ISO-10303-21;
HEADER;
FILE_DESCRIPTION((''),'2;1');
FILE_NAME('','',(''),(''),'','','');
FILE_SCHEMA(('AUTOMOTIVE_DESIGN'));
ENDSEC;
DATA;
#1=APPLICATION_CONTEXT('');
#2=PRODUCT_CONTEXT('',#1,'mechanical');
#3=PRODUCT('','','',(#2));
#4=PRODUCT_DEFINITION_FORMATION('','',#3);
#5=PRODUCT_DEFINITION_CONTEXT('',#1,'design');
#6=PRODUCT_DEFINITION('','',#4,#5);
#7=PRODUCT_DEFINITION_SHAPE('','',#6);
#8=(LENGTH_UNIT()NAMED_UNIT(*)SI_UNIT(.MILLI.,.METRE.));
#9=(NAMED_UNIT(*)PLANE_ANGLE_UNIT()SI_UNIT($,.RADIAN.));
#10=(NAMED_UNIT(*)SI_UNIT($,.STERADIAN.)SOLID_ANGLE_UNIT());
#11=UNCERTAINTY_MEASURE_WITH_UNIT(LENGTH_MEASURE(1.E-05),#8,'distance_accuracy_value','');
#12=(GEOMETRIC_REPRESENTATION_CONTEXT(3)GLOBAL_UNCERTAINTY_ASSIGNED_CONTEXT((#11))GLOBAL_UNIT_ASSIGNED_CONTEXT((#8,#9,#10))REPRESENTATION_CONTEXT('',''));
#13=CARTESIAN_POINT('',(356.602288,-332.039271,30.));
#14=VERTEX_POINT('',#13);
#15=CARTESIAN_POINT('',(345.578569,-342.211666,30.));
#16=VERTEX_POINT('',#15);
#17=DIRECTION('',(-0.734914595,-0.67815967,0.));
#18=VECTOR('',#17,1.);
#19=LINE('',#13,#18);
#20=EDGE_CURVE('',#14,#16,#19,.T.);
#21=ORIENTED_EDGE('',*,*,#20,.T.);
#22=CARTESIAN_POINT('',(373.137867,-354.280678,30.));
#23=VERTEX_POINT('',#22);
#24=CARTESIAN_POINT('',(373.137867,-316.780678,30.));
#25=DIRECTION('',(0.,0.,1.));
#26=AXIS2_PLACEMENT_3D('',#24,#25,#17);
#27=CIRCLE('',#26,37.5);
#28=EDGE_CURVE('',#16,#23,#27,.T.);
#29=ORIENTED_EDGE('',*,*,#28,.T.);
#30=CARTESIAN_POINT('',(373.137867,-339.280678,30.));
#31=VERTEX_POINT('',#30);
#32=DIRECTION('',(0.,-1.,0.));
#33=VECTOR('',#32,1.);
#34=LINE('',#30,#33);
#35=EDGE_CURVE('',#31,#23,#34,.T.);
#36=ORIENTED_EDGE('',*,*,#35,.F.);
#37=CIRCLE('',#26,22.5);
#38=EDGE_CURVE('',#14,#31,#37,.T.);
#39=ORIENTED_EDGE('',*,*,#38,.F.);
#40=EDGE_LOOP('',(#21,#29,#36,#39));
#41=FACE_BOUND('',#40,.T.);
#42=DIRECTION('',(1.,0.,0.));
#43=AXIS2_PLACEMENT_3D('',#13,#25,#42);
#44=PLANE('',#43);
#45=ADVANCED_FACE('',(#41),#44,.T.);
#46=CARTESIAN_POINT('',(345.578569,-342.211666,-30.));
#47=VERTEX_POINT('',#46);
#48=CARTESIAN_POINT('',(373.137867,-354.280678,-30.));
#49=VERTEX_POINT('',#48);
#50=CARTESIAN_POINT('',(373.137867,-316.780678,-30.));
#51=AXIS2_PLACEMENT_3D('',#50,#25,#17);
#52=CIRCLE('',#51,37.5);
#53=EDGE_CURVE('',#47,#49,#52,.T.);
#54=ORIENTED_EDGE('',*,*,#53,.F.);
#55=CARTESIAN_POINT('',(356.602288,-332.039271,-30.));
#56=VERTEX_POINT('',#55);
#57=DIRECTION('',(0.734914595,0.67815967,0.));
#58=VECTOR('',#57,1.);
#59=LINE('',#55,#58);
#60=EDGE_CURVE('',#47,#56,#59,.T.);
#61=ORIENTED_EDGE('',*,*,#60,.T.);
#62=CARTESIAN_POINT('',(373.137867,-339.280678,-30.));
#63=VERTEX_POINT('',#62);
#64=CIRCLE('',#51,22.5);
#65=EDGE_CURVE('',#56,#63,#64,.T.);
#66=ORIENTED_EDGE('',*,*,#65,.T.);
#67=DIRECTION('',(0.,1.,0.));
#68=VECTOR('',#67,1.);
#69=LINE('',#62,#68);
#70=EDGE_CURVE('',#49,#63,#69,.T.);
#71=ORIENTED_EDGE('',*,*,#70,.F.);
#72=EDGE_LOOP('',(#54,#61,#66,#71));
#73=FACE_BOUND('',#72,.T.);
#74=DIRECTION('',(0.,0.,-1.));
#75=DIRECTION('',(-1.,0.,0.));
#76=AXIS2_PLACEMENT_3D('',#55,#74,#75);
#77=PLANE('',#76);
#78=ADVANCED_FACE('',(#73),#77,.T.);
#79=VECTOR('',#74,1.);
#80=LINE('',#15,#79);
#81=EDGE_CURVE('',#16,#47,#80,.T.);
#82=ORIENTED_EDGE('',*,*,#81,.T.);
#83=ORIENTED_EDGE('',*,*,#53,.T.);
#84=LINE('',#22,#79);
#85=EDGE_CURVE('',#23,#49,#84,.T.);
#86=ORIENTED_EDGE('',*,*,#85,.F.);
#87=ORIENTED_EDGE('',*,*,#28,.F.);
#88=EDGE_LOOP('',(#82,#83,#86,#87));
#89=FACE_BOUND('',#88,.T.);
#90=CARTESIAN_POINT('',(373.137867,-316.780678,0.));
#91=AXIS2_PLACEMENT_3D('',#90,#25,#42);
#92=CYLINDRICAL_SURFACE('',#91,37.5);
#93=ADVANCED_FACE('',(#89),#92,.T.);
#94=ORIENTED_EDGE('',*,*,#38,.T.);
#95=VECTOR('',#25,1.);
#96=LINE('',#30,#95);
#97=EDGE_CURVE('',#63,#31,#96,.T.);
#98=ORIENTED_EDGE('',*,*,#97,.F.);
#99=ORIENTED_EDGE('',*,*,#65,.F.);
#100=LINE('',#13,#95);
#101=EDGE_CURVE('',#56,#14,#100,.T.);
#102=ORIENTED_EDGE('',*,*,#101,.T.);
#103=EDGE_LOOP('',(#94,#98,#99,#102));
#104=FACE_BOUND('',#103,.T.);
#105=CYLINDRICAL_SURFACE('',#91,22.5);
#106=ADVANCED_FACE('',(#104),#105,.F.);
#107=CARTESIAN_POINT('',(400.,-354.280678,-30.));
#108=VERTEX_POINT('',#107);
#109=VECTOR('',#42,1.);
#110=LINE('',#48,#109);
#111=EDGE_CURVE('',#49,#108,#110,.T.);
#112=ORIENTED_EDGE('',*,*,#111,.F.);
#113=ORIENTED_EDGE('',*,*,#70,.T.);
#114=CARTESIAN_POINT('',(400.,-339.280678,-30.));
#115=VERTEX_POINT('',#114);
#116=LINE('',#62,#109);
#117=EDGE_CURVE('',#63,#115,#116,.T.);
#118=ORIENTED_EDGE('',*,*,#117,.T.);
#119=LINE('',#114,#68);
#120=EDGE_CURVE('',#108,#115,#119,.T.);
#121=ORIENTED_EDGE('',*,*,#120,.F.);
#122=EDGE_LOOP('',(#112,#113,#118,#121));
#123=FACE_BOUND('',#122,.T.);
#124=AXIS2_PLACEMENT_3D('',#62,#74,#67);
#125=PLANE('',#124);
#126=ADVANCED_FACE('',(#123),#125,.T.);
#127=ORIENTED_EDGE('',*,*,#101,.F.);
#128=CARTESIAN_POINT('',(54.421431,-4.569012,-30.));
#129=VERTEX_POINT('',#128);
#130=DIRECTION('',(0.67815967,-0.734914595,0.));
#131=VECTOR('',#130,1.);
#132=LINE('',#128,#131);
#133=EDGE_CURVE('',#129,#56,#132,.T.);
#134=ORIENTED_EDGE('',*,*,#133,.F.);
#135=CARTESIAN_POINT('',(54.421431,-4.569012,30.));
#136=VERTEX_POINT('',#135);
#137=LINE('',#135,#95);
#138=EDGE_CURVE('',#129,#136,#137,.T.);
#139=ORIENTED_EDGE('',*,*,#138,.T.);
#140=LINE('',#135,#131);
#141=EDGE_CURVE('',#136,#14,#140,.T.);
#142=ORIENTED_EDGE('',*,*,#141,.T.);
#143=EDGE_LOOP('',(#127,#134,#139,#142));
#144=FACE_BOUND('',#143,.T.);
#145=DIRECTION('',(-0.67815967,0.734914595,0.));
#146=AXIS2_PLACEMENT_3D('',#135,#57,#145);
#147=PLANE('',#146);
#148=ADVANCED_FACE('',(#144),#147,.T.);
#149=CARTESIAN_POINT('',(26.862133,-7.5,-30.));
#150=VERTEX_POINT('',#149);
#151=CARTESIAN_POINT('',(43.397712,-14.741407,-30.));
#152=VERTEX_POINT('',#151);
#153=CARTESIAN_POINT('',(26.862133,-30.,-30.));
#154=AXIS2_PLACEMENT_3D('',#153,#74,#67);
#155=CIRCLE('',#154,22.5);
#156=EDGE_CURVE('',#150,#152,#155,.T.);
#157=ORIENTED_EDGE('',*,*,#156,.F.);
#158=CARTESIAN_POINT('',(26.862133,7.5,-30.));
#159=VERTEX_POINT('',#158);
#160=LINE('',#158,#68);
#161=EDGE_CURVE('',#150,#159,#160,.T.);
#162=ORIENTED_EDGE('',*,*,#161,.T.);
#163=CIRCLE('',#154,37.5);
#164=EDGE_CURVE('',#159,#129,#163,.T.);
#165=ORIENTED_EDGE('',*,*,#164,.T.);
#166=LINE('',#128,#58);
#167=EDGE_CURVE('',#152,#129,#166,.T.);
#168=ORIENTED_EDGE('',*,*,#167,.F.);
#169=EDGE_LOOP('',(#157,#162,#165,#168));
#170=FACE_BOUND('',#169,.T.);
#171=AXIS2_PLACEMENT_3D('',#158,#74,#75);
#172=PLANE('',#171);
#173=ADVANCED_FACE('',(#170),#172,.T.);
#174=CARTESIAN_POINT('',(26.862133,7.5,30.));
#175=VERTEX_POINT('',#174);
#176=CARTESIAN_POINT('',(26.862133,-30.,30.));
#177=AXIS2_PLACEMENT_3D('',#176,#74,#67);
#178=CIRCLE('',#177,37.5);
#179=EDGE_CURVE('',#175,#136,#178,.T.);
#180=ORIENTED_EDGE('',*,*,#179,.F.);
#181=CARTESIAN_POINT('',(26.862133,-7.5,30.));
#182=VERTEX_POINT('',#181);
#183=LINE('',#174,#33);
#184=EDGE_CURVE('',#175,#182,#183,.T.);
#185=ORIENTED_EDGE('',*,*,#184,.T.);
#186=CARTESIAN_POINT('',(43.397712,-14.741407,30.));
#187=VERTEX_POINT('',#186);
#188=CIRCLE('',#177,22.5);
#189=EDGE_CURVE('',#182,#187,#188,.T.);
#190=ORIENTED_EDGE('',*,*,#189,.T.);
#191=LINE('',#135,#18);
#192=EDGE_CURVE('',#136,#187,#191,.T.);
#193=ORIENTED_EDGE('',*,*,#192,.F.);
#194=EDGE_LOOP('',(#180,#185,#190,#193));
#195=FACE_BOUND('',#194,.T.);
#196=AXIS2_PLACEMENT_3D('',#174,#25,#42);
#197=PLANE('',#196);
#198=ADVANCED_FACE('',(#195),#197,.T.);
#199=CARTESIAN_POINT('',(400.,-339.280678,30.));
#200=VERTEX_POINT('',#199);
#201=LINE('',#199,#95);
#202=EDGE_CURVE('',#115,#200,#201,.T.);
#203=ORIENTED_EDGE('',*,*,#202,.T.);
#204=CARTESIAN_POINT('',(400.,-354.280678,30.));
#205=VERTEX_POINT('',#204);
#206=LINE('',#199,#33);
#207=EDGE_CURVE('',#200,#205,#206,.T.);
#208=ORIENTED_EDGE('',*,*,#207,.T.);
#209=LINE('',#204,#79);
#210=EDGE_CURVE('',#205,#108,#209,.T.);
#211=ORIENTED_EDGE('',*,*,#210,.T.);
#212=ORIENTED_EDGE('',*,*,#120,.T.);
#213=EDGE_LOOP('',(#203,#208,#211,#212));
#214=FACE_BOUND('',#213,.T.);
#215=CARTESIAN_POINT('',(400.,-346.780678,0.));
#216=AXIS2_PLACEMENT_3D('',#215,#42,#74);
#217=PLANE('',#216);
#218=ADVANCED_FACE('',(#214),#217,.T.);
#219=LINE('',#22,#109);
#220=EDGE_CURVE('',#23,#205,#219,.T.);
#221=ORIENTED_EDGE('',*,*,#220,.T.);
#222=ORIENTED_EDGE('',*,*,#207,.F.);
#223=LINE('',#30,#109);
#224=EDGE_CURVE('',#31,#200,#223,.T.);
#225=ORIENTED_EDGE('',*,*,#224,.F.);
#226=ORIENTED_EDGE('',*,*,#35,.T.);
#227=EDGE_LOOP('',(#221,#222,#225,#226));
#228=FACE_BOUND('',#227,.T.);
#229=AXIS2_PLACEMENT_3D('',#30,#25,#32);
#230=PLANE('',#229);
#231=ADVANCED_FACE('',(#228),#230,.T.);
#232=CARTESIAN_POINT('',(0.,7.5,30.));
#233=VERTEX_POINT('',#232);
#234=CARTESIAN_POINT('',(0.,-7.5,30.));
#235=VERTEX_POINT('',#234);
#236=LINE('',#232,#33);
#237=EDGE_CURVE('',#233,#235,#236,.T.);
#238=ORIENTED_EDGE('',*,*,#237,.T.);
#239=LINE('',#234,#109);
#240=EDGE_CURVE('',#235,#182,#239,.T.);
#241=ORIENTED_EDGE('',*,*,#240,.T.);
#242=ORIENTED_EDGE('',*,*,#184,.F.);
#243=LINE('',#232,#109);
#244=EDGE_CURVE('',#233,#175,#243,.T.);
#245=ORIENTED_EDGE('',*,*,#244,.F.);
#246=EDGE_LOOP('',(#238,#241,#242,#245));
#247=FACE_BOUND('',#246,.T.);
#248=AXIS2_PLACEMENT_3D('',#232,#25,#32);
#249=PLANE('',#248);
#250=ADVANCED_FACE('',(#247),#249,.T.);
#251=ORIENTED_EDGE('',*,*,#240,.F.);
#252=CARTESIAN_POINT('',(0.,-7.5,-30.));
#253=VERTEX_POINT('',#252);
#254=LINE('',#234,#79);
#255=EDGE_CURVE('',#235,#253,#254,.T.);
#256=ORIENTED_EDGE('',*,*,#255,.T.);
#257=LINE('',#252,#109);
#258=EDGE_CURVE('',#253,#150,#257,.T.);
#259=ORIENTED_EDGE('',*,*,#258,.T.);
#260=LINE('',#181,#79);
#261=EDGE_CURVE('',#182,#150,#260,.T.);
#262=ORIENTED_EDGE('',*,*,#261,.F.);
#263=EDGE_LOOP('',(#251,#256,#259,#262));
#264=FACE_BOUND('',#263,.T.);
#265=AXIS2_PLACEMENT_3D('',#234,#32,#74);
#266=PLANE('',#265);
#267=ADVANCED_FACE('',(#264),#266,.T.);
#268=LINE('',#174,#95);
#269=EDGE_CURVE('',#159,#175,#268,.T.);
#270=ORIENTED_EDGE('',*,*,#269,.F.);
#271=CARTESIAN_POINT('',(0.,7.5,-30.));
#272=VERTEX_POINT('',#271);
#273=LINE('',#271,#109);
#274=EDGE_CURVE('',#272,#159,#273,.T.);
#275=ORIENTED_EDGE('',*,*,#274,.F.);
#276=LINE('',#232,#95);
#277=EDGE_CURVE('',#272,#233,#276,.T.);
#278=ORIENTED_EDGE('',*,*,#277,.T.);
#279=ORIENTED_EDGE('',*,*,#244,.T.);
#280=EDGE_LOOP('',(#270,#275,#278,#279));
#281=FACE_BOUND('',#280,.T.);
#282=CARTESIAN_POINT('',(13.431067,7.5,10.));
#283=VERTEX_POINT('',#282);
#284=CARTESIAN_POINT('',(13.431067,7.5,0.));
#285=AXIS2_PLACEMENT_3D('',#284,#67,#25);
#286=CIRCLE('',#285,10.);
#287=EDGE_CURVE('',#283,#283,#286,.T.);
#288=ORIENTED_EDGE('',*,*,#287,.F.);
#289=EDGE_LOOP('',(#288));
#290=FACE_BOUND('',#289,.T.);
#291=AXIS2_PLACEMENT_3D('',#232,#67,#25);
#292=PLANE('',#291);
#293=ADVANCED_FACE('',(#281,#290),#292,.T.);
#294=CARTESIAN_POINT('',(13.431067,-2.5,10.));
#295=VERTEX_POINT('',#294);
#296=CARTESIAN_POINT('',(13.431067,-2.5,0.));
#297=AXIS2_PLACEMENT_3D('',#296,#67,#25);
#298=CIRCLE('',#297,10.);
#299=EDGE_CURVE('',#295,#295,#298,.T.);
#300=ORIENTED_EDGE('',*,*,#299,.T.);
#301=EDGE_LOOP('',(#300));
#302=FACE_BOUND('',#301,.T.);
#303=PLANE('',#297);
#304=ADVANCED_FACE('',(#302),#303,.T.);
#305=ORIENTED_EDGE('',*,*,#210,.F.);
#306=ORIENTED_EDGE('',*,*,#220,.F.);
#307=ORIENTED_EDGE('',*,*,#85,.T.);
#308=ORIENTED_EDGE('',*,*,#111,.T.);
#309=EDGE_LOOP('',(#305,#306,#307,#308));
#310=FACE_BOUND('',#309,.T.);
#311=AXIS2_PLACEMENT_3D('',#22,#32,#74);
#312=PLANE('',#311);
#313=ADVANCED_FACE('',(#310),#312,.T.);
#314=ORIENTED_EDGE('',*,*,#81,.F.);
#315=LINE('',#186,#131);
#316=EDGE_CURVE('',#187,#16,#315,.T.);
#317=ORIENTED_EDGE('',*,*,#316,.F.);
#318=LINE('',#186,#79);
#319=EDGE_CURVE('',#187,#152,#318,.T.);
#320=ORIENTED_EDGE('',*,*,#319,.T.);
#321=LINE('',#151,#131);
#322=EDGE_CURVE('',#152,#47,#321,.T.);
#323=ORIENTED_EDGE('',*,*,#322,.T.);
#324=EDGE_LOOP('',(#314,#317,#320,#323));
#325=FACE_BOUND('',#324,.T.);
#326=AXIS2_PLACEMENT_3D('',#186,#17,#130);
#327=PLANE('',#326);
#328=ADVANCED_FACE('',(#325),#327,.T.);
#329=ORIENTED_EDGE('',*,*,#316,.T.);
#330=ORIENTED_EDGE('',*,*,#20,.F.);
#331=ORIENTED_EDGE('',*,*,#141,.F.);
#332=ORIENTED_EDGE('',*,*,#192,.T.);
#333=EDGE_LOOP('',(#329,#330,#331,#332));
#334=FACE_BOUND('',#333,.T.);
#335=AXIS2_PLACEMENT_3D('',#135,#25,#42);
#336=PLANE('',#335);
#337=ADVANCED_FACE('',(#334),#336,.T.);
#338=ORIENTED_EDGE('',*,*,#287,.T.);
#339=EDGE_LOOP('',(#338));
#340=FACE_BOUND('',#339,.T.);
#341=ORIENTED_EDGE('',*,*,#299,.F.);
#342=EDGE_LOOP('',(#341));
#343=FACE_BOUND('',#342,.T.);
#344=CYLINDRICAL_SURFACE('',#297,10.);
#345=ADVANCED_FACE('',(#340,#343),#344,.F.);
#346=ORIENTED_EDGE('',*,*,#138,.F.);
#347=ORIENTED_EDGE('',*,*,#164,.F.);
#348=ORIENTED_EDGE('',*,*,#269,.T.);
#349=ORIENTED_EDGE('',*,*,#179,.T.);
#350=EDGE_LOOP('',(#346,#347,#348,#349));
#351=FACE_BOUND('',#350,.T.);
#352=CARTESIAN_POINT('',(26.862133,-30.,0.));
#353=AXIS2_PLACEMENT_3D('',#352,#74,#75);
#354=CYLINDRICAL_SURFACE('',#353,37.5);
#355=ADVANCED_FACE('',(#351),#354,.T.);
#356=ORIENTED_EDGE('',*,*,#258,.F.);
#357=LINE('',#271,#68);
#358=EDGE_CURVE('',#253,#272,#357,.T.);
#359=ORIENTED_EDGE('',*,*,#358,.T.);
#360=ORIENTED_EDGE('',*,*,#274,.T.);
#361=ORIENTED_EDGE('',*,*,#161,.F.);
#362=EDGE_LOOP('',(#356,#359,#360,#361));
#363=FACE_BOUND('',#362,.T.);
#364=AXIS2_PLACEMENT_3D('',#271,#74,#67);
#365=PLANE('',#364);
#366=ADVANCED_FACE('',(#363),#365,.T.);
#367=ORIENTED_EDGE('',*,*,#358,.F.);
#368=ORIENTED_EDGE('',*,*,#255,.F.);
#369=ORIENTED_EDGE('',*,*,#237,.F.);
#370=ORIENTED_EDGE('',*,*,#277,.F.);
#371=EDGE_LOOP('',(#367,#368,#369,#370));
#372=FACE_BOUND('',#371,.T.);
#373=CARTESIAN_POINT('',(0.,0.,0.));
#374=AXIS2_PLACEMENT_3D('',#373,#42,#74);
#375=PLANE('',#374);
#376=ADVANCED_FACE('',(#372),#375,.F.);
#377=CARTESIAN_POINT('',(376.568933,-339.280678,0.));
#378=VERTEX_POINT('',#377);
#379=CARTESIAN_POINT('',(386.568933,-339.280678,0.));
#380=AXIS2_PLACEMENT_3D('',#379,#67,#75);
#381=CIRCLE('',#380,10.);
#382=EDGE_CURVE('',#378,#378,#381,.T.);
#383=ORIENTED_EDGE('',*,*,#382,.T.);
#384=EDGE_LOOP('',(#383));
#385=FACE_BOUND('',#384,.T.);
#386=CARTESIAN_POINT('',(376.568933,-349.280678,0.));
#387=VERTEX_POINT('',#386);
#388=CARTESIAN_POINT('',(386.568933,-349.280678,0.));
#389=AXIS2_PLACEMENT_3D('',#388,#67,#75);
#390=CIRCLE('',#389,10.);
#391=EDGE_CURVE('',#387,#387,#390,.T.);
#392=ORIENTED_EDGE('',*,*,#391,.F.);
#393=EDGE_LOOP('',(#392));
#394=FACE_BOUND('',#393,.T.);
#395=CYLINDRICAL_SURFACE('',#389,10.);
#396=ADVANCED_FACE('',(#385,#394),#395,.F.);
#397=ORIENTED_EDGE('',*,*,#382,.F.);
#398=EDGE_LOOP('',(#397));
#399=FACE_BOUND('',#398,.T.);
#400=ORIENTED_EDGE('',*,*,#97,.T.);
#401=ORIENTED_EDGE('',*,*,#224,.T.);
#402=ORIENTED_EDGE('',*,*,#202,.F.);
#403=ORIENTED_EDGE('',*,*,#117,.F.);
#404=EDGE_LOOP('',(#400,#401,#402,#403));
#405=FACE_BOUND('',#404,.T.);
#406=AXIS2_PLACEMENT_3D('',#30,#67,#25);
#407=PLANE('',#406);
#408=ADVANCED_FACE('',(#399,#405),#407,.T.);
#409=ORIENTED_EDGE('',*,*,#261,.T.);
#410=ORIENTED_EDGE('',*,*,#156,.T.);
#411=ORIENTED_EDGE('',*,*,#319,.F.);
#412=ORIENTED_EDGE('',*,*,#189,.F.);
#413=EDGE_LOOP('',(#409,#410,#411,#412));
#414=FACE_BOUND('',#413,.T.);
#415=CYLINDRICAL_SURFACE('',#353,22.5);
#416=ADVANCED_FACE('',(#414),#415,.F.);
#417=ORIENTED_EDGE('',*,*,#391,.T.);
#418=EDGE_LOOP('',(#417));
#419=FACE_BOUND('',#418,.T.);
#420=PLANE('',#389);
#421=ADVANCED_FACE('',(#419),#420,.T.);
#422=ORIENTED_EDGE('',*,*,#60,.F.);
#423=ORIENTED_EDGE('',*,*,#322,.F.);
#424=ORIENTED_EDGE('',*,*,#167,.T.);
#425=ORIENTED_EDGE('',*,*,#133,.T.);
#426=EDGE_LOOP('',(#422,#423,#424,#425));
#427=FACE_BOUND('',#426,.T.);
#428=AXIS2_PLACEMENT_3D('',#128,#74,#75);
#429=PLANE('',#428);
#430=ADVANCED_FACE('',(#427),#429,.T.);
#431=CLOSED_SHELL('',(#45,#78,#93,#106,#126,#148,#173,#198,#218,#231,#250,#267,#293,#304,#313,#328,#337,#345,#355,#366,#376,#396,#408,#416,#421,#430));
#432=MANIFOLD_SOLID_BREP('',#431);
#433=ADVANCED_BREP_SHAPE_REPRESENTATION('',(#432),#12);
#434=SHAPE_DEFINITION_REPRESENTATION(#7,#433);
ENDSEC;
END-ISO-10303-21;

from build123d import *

# Parameters (mm, degrees)
SKETCH_2_W          = 60
SKETCH_2_H          = 15
SKETCH_3_R          = 10
CUT_EXTRUDE_1_DEPTH = 10
SKETCH_4_R          = 10
CUT_EXTRUDE_2_DEPTH = 10


with BuildPart() as part:
    # 扫描1: sweep along a path in 草图1
    with BuildLine(Plane.XY) as sweep_1_path:
        Line((0, 0), (26.862133413, 0))
        ThreePointArc((26.862133413, 0), (38.896590134, -2.519609693), (48.909571267, -9.655209904))
        Line((48.909571267, -9.655209904), (351.090428733, -337.125468596))
        ThreePointArc((351.090428733, -337.125468596), (361.103409866, -344.261068807), (373.137866587, -346.7806785))
        Line((373.137866587, -346.7806785), (400, -346.7806785))
    # 草图2 → 扫描1 (sweep)
    with BuildSketch(Plane(origin=(0, 0, 0), x_dir=(0, 0, -1), z_dir=(1, 0, 0))):
        Rectangle(SKETCH_2_W, SKETCH_2_H)
    sweep(path=sweep_1_path.line)

    # 草图3 → 切除-拉伸1 (cut)
    with BuildSketch(Plane(origin=(0, 7.5, 0), x_dir=(1, 0, 0), z_dir=(0, 1, 0))):
        with Locations(Location((13.431066706, 0, 0), (0, 0, 270))):
            Circle(SKETCH_3_R)
    extrude(amount=-CUT_EXTRUDE_1_DEPTH, mode=Mode.SUBTRACT)

    # 草图4 → 切除-拉伸2 (cut)
    with BuildSketch(Plane(origin=(0, -339.2806785, 0), x_dir=(1, 0, 0), z_dir=(0, 1, 0))):
        with Locations(Location((386.568933294, 0, 0), (0, 0, 180))):
            Circle(SKETCH_4_R)
    extrude(amount=-CUT_EXTRUDE_2_DEPTH, mode=Mode.SUBTRACT)


solid = part.part
